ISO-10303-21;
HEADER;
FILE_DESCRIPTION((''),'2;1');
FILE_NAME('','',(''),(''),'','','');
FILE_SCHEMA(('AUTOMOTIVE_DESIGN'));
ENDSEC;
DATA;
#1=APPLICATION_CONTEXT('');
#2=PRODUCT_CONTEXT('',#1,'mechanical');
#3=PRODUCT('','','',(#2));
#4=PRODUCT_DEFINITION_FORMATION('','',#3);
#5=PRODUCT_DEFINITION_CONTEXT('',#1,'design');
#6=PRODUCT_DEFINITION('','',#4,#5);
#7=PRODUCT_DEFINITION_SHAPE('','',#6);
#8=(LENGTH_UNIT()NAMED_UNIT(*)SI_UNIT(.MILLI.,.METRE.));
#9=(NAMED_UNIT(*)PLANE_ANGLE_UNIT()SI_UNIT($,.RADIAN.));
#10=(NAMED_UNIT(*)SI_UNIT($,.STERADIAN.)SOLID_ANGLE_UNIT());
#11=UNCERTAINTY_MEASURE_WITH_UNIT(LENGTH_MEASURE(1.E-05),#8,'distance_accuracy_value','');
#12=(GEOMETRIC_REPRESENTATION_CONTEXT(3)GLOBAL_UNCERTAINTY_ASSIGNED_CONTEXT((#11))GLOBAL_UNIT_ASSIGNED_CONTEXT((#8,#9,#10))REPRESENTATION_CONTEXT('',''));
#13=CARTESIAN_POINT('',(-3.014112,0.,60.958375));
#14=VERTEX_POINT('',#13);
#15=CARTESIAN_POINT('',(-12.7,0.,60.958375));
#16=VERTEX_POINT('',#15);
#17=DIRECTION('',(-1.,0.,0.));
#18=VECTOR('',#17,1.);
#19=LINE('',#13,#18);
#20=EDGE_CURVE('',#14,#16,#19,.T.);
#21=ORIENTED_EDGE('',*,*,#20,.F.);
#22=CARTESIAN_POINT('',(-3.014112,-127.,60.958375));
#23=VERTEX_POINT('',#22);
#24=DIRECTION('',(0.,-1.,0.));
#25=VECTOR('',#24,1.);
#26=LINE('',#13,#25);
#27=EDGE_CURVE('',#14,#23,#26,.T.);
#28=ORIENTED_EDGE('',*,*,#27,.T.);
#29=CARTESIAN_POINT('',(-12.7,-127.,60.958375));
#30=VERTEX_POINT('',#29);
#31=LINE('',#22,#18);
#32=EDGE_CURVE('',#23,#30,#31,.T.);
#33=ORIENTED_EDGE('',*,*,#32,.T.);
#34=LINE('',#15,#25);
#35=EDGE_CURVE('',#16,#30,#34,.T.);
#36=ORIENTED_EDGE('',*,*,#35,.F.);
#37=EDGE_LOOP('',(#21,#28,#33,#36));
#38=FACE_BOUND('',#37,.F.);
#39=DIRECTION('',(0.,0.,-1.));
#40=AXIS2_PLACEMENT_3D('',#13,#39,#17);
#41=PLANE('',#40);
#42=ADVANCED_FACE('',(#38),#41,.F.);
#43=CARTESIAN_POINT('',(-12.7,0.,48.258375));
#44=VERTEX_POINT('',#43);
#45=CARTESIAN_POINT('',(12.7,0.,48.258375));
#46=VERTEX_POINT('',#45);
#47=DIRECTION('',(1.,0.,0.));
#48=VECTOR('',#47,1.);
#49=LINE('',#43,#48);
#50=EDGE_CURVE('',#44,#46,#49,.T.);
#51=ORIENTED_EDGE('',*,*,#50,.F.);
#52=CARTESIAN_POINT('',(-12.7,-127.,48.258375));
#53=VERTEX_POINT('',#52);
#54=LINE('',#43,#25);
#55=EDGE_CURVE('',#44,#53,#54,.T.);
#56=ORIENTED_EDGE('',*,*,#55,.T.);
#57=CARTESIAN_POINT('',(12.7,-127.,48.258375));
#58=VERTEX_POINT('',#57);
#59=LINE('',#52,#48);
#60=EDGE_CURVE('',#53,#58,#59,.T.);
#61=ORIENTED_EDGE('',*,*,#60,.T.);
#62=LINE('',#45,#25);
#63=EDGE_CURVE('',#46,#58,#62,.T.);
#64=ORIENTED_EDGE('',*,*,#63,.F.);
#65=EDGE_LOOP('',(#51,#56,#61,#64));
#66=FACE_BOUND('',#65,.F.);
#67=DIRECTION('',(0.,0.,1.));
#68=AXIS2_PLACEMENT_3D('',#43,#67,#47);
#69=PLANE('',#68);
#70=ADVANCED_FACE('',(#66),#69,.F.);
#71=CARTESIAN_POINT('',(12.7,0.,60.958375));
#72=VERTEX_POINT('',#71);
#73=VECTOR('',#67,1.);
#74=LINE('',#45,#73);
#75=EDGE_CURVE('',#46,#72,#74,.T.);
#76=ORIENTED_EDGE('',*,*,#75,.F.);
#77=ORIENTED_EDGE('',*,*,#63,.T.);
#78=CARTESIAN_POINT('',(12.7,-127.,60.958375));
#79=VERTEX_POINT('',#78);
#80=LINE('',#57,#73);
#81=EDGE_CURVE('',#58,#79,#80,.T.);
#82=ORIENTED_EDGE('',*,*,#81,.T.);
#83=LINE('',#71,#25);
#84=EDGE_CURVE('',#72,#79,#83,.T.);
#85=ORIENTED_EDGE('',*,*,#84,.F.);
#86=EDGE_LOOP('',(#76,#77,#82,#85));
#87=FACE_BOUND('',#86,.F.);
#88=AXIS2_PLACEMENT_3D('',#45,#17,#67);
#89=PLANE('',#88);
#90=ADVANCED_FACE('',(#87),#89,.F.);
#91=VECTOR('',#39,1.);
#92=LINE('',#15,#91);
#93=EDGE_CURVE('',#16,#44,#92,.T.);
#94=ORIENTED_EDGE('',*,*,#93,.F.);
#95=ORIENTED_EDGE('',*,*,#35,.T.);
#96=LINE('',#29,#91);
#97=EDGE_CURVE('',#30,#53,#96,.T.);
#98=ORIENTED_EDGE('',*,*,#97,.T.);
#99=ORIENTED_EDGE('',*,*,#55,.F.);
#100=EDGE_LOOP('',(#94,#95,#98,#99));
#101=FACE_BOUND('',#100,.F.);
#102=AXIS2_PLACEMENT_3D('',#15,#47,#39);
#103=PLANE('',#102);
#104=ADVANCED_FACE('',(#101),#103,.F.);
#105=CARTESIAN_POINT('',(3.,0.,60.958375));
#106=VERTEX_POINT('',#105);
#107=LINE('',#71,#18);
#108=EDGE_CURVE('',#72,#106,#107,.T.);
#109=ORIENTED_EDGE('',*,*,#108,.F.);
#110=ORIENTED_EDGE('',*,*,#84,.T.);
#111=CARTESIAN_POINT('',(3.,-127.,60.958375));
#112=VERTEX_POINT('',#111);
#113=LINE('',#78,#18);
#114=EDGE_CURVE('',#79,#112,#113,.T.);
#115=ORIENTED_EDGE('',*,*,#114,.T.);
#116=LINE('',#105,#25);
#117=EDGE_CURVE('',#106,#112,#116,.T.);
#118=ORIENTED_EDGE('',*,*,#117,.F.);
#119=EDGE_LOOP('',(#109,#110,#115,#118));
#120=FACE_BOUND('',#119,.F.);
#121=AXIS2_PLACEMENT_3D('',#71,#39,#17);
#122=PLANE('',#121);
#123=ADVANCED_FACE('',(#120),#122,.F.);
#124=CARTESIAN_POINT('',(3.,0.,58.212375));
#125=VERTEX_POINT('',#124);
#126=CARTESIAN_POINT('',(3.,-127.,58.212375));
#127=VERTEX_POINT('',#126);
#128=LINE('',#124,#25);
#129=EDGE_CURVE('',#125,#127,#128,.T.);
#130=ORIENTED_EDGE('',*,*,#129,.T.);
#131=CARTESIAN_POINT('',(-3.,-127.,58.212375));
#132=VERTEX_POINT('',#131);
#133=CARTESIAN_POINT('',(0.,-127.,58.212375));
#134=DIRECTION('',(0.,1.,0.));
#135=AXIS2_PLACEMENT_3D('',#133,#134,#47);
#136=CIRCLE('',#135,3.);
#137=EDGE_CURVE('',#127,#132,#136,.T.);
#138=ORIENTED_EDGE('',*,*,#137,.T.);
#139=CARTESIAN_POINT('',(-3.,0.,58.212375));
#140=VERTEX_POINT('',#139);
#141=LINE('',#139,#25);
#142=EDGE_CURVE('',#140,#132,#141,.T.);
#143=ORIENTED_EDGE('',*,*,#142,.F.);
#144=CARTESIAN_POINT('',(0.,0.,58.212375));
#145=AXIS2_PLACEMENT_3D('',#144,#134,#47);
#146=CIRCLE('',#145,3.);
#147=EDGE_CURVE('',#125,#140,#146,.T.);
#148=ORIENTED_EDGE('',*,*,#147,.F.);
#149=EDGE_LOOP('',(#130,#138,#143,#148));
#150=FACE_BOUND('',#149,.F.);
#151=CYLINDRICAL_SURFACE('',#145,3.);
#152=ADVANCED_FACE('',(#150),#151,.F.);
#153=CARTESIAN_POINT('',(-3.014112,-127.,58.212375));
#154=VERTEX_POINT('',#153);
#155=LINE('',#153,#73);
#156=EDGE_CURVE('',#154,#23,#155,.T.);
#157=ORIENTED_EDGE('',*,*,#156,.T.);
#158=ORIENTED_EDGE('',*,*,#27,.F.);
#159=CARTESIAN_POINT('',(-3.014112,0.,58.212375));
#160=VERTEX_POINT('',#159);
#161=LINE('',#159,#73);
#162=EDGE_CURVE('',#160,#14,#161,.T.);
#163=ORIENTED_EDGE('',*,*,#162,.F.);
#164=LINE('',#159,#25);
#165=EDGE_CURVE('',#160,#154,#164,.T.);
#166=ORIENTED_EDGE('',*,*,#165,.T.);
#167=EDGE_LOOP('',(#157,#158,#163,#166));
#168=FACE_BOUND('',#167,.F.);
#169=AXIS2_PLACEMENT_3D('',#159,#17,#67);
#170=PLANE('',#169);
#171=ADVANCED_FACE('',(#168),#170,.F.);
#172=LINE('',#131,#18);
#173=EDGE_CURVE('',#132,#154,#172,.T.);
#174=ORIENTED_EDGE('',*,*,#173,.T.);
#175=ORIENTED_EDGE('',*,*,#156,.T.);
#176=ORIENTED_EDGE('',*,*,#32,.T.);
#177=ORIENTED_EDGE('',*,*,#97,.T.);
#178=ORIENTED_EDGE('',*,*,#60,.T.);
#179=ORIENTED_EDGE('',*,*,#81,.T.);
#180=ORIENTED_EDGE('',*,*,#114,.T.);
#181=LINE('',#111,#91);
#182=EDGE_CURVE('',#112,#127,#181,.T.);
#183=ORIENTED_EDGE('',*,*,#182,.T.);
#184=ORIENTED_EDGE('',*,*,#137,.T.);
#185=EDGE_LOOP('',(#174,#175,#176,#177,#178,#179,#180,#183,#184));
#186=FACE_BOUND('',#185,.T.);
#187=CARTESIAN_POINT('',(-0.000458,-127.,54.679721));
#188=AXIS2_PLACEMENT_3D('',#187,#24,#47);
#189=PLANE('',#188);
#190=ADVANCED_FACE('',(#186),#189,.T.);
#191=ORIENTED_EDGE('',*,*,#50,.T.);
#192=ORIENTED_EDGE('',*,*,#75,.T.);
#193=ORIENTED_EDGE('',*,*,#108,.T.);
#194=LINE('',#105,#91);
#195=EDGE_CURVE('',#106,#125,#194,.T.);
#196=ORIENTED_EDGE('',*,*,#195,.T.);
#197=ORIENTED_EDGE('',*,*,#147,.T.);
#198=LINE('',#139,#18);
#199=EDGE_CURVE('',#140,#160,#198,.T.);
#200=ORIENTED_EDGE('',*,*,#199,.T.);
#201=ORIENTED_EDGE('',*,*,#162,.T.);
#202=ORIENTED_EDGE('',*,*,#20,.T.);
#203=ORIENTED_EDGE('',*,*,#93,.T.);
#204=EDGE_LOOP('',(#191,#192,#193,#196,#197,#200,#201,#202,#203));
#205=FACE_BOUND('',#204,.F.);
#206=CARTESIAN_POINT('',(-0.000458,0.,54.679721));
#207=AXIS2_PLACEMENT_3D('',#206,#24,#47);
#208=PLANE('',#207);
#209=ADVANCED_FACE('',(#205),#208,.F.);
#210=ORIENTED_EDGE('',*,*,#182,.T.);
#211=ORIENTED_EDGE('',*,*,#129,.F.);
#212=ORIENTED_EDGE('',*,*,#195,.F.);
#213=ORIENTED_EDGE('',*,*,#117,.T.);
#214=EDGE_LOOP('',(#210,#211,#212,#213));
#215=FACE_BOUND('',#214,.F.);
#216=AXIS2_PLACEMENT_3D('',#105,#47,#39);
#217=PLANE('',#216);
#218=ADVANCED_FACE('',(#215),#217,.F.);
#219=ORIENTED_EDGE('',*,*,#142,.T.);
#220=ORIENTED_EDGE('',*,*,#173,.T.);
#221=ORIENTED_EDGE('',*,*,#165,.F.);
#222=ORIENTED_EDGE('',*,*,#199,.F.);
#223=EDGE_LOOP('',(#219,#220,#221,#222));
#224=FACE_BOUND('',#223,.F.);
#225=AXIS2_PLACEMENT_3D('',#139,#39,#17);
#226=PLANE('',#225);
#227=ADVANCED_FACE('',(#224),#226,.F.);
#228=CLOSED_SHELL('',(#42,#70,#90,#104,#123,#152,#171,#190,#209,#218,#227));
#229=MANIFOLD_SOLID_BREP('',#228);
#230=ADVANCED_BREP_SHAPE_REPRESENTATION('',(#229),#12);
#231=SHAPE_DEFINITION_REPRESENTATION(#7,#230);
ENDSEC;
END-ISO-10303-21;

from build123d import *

# Parameters (mm, degrees)
F1_DEPTH = 127


with BuildPart() as f1:
    # F0 (on Front) → F1 (new body)
    with BuildSketch(Plane.XZ):
        with BuildLine():
            Line((3, 60.958375), (3, 58.212375))
            ThreePointArc((3, 58.212375), (0, 55.212375), (-3, 58.212375))
            Line((-3, 58.212375), (-3.014112, 58.212375))
            Line((-3.014112, 58.212375), (-3.014112, 60.958375))
            Line((-3.014112, 60.958375), (-12.7, 60.958375))
            Line((-12.7, 60.958375), (-12.7, 48.258375))
            Line((-12.7, 48.258375), (12.7, 48.258375))
            Line((12.7, 48.258375), (12.7, 60.958375))
            Line((12.7, 60.958375), (3, 60.958375))
        make_face()
    extrude(amount=F1_DEPTH)


solid = f1.part
